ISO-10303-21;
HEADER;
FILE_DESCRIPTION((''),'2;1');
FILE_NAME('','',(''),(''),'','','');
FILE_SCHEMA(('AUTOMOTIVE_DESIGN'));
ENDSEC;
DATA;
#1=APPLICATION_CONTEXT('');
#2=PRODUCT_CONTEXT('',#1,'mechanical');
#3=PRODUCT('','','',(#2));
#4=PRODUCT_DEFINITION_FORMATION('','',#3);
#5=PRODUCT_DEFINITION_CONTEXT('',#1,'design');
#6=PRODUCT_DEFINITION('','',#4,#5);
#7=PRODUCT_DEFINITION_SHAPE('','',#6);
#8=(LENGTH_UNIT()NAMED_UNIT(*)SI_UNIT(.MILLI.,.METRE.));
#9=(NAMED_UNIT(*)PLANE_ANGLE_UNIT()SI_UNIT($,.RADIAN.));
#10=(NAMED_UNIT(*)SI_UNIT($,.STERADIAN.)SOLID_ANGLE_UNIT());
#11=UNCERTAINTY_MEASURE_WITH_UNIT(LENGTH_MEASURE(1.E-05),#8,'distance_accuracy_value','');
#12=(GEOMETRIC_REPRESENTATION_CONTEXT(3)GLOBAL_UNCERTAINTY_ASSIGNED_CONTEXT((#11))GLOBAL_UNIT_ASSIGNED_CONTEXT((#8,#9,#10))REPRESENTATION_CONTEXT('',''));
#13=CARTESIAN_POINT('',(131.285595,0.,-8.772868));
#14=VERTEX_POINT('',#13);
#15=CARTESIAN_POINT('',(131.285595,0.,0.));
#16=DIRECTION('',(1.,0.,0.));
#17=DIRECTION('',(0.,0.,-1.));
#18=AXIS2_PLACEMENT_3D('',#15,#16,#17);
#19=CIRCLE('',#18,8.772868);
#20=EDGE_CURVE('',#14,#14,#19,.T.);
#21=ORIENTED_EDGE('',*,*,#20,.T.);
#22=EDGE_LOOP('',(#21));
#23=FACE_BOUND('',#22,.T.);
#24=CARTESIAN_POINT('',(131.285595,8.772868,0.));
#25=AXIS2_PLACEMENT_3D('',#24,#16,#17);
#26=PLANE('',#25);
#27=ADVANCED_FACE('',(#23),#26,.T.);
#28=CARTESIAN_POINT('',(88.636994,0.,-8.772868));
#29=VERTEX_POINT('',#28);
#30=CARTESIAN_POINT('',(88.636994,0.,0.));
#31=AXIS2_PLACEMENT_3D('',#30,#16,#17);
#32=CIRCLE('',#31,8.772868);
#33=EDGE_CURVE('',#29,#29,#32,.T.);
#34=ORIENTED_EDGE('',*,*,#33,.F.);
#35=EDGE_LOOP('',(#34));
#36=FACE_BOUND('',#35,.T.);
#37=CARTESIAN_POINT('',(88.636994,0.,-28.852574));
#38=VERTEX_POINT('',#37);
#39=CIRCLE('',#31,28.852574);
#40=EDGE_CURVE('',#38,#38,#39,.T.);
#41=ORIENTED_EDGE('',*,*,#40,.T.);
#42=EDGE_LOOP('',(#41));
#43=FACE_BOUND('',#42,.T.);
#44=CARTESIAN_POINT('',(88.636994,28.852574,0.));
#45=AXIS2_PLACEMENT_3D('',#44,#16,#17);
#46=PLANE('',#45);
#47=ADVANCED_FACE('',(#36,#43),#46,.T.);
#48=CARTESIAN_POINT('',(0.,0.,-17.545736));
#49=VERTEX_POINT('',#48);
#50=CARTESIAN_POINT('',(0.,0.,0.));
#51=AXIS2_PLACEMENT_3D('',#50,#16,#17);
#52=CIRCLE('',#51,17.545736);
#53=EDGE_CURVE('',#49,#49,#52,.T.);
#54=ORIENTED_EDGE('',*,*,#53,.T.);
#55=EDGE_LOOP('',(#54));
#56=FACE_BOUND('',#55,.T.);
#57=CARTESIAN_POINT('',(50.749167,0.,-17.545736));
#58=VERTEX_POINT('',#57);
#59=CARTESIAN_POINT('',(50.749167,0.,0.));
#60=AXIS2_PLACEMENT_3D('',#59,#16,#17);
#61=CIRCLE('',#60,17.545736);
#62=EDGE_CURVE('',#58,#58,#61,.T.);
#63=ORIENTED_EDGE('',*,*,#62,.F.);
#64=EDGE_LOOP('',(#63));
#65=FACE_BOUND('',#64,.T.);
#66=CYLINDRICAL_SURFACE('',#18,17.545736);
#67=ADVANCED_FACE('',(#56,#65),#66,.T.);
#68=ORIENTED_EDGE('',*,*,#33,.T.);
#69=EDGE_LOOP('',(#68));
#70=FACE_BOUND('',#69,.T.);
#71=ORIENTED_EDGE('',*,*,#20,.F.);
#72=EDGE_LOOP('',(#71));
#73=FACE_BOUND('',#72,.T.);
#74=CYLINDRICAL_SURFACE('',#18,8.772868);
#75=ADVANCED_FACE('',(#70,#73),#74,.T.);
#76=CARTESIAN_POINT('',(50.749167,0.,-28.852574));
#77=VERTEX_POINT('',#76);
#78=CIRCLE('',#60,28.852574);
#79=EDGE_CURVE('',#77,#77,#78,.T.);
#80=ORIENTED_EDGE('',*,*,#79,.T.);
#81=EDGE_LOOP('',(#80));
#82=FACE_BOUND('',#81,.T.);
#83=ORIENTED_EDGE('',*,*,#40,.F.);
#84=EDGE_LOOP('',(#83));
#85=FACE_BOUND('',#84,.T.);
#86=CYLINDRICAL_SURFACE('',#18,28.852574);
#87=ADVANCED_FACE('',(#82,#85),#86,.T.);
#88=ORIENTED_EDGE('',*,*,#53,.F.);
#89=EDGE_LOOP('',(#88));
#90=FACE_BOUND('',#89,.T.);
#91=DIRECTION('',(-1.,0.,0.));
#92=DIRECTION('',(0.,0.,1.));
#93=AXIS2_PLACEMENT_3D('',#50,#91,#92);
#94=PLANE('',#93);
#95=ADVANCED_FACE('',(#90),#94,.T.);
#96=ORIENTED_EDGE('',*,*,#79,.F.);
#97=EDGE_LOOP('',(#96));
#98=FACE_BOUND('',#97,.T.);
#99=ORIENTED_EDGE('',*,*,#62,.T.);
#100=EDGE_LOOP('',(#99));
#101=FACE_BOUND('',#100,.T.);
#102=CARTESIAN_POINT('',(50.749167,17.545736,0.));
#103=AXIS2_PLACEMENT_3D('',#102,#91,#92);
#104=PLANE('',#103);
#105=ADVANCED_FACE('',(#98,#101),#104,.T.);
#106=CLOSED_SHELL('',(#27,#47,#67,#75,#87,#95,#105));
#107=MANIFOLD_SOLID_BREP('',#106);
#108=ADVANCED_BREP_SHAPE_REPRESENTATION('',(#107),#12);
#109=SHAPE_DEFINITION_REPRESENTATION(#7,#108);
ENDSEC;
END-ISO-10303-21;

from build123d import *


with BuildPart() as part:
    # Skica1 → Rotovat1 (revolve)
    with BuildSketch(Plane.XY, mode=Mode.PRIVATE) as rotovat1_sk:
        Polygon((0, 0), (0, 17.545735619), (50.749167087, 17.545735619), (50.749167087, 28.852573965), (88.636993826, 28.852573965), (88.636993826, 8.772867809), (131.285594605, 8.772867809), (131.285594605, 0), align=None)
    revolve(rotovat1_sk.sketch.rotate(Axis((131.285594605, 0, 0), (-1, 0, 0)), 90), axis=Axis((131.285594605, 0, 0), (-1, 0, 0)))  # turned: the seam where the file's is


solid = part.part
